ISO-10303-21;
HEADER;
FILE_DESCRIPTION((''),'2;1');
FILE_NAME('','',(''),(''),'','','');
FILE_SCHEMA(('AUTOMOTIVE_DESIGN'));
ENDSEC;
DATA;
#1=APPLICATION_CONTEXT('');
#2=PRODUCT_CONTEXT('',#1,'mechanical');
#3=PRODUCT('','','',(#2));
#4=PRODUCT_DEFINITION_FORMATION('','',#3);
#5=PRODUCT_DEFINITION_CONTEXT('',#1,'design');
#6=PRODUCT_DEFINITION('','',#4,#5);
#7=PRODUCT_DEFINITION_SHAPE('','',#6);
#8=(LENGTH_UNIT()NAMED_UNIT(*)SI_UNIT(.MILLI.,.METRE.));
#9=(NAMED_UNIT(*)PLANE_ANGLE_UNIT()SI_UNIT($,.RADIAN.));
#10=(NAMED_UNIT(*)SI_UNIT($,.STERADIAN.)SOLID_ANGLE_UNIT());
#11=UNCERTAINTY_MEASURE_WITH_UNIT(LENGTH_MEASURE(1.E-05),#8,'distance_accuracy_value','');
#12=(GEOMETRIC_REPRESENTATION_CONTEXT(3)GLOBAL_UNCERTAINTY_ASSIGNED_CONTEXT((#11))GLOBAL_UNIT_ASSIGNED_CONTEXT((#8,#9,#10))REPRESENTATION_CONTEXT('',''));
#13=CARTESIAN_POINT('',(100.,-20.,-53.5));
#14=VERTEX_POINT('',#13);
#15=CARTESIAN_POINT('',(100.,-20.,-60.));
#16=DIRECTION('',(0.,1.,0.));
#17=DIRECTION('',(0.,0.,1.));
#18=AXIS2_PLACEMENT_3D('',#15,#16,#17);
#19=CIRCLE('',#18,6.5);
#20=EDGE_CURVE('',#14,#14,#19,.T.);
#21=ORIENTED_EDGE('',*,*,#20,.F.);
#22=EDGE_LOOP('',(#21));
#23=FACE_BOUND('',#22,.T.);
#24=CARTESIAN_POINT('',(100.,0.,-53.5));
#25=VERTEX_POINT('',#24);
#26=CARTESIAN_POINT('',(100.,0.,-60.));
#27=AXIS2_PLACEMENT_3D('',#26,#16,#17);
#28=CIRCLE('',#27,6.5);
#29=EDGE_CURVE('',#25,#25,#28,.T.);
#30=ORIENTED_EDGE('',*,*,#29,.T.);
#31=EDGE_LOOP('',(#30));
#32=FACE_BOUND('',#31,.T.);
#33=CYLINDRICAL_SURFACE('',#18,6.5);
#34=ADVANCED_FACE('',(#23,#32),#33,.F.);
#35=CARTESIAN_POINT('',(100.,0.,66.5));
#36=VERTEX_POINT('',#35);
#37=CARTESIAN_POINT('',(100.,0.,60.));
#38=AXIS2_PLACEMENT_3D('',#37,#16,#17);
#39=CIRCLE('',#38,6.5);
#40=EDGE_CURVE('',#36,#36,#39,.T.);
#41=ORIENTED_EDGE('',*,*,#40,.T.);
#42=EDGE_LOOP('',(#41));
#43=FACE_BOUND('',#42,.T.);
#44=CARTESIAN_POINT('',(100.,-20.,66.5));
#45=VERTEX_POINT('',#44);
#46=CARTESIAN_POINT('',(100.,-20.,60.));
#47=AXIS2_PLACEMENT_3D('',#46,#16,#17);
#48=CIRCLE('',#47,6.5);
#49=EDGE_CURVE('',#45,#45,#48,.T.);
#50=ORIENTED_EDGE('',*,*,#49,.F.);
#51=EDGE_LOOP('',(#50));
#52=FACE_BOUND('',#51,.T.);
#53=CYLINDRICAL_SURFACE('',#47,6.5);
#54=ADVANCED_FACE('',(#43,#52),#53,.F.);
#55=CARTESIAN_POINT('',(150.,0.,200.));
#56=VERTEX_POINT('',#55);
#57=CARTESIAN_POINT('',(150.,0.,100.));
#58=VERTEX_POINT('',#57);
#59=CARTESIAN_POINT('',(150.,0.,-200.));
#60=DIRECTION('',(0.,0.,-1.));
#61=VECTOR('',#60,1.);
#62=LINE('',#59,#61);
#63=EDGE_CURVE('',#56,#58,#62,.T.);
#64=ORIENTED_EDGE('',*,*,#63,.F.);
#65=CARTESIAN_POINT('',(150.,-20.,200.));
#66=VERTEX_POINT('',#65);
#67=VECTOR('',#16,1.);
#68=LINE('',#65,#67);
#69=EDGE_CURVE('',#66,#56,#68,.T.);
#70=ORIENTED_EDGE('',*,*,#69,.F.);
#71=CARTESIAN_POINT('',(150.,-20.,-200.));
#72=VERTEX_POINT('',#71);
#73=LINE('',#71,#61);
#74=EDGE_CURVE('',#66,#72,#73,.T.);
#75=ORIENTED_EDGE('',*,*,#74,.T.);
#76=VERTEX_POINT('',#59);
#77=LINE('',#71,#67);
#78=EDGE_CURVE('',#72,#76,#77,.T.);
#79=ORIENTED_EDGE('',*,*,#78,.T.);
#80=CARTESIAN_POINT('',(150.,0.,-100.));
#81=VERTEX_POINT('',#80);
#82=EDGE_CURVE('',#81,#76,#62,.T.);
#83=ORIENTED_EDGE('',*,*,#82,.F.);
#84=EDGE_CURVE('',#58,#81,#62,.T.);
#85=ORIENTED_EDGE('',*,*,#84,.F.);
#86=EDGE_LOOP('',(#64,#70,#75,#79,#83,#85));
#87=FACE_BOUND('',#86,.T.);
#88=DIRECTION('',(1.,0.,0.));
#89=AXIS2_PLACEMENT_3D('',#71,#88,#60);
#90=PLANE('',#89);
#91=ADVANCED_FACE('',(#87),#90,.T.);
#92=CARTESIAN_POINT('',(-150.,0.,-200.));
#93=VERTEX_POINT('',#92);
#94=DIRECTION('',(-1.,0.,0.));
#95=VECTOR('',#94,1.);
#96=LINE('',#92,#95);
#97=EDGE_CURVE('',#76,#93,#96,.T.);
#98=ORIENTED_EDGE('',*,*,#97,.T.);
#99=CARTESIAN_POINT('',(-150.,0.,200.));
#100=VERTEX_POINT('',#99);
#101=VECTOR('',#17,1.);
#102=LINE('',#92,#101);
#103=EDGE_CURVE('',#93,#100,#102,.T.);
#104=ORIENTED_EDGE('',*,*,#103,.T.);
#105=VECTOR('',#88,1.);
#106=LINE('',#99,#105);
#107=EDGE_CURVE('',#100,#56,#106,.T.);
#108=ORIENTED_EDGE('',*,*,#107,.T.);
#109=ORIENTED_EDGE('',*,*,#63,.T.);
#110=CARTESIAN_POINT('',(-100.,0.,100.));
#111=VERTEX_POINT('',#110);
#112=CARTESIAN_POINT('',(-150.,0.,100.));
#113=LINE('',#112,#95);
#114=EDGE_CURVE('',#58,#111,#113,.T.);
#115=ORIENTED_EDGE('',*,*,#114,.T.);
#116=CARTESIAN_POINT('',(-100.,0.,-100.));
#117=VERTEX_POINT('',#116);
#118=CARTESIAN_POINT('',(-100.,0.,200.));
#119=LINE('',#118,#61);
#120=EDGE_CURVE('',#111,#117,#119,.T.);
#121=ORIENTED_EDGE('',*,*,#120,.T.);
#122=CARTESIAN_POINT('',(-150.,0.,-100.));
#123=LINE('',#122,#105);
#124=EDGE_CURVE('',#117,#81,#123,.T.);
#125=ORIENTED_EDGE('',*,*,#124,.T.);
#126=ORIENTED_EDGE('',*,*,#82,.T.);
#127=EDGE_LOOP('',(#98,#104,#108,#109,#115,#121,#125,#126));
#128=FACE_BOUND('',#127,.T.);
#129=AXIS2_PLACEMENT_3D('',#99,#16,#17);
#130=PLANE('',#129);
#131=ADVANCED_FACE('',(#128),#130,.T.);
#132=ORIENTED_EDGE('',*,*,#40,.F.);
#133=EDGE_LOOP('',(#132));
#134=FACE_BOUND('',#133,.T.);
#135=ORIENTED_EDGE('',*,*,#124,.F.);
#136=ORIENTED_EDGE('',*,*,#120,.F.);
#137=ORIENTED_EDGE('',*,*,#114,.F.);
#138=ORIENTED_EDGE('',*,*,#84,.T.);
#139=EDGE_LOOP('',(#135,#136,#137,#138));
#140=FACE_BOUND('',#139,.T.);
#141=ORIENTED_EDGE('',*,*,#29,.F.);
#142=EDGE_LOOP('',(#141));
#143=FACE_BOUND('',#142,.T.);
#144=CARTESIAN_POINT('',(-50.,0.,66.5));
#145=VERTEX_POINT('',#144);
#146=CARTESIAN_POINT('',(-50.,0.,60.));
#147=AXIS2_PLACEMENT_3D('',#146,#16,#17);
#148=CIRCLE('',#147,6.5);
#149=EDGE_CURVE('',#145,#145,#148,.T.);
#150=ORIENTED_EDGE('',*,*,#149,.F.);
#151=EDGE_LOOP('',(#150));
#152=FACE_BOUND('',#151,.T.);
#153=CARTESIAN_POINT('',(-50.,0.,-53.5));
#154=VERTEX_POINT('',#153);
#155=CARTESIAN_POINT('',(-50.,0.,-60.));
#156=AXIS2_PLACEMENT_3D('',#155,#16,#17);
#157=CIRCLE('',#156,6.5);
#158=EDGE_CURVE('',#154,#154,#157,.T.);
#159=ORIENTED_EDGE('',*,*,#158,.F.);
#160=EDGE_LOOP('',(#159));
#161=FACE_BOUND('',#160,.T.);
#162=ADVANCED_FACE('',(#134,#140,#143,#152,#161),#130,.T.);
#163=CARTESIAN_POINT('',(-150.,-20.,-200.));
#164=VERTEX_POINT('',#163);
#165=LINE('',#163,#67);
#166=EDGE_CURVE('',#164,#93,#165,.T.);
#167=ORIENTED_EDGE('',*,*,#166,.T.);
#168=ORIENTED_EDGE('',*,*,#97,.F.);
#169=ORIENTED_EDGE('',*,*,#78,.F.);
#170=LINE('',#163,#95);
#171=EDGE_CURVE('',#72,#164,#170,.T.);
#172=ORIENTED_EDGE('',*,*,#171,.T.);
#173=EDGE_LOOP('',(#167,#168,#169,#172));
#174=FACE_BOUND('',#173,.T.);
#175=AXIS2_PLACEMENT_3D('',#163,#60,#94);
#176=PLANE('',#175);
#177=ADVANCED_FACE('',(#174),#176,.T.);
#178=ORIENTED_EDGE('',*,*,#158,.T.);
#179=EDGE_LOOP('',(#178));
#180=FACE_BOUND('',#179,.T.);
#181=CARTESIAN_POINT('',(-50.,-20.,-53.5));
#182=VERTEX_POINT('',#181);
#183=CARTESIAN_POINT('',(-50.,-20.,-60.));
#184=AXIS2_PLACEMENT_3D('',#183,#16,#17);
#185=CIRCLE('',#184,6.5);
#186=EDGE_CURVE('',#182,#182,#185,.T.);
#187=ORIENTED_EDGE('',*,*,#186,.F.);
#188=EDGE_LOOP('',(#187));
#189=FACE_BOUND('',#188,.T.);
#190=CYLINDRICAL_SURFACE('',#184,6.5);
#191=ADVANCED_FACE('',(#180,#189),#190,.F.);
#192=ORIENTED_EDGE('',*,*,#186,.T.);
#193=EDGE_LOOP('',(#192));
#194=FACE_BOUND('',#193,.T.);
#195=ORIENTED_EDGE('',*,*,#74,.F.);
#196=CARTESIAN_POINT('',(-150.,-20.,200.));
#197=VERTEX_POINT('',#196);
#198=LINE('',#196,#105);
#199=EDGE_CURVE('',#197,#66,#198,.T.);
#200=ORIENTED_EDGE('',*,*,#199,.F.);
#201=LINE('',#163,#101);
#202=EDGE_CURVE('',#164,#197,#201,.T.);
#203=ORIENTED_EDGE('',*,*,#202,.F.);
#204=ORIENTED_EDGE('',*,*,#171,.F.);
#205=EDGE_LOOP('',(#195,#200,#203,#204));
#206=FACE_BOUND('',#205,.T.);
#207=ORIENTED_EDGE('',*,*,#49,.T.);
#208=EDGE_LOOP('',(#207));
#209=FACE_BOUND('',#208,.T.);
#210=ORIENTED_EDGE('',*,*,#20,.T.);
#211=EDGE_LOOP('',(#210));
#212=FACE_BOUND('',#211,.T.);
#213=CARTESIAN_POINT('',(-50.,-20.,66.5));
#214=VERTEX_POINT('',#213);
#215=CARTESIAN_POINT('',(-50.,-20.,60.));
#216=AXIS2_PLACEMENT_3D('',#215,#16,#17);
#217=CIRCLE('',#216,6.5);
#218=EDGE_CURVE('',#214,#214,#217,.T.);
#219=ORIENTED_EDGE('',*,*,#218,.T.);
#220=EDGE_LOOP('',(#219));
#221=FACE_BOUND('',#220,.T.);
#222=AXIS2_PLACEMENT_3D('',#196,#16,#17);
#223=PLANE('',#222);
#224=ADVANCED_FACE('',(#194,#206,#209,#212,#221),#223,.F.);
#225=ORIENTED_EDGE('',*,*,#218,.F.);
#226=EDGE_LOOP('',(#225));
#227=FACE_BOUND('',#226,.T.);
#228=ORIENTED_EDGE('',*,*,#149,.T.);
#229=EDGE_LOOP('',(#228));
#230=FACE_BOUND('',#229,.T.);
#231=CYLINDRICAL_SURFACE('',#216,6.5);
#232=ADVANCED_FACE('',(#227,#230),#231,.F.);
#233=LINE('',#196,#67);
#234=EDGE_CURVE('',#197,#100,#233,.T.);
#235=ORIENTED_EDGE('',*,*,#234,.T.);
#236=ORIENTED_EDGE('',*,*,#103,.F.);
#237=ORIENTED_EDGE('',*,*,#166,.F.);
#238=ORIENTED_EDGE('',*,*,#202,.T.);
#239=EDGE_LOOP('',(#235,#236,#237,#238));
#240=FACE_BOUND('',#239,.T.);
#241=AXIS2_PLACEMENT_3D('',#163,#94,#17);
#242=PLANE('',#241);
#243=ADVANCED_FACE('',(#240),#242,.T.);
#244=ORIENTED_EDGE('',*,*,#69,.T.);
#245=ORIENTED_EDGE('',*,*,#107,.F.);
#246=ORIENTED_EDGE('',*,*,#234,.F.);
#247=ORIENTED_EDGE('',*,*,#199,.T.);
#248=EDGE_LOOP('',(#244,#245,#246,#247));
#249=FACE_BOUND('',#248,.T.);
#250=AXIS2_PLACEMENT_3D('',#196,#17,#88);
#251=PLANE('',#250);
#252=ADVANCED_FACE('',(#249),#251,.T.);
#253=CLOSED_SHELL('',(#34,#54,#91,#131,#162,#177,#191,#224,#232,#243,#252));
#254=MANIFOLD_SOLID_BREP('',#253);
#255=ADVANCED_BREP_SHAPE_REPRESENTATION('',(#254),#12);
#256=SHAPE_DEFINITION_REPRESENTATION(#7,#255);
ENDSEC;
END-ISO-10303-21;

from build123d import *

# Parameters (mm, degrees)
SKETCH1_W           = 300
SKETCH1_H           = 400
SUPPORT_PLATE_DEPTH = 20
SKETCH2_R           = 6.5
BOLT_HOLES_DEPTH    = 21


with BuildPart() as part:
    # Sketch1 → Support Plate (new body)
    with BuildSketch(Plane(origin=(0, 0, 0), x_dir=(1, 0, 0), z_dir=(0, 1, 0))):
        Rectangle(SKETCH1_W, SKETCH1_H)
    extrude(amount=-SUPPORT_PLATE_DEPTH)

    # Sketch2 → Bolt Holes (cut, through all)
    with BuildSketch(Plane(origin=(0, 0, 0), x_dir=(-1, 0, 0), z_dir=(0, 1, 0))):
        with Locations((-100, -60)):
            Circle(SKETCH2_R)
        with Locations((50, -60)):
            Circle(SKETCH2_R)
        with Locations((50, 60)):
            Circle(SKETCH2_R)
        with Locations((-100, 60)):
            Circle(SKETCH2_R)
    extrude(amount=-BOLT_HOLES_DEPTH, mode=Mode.SUBTRACT)


solid = part.part
